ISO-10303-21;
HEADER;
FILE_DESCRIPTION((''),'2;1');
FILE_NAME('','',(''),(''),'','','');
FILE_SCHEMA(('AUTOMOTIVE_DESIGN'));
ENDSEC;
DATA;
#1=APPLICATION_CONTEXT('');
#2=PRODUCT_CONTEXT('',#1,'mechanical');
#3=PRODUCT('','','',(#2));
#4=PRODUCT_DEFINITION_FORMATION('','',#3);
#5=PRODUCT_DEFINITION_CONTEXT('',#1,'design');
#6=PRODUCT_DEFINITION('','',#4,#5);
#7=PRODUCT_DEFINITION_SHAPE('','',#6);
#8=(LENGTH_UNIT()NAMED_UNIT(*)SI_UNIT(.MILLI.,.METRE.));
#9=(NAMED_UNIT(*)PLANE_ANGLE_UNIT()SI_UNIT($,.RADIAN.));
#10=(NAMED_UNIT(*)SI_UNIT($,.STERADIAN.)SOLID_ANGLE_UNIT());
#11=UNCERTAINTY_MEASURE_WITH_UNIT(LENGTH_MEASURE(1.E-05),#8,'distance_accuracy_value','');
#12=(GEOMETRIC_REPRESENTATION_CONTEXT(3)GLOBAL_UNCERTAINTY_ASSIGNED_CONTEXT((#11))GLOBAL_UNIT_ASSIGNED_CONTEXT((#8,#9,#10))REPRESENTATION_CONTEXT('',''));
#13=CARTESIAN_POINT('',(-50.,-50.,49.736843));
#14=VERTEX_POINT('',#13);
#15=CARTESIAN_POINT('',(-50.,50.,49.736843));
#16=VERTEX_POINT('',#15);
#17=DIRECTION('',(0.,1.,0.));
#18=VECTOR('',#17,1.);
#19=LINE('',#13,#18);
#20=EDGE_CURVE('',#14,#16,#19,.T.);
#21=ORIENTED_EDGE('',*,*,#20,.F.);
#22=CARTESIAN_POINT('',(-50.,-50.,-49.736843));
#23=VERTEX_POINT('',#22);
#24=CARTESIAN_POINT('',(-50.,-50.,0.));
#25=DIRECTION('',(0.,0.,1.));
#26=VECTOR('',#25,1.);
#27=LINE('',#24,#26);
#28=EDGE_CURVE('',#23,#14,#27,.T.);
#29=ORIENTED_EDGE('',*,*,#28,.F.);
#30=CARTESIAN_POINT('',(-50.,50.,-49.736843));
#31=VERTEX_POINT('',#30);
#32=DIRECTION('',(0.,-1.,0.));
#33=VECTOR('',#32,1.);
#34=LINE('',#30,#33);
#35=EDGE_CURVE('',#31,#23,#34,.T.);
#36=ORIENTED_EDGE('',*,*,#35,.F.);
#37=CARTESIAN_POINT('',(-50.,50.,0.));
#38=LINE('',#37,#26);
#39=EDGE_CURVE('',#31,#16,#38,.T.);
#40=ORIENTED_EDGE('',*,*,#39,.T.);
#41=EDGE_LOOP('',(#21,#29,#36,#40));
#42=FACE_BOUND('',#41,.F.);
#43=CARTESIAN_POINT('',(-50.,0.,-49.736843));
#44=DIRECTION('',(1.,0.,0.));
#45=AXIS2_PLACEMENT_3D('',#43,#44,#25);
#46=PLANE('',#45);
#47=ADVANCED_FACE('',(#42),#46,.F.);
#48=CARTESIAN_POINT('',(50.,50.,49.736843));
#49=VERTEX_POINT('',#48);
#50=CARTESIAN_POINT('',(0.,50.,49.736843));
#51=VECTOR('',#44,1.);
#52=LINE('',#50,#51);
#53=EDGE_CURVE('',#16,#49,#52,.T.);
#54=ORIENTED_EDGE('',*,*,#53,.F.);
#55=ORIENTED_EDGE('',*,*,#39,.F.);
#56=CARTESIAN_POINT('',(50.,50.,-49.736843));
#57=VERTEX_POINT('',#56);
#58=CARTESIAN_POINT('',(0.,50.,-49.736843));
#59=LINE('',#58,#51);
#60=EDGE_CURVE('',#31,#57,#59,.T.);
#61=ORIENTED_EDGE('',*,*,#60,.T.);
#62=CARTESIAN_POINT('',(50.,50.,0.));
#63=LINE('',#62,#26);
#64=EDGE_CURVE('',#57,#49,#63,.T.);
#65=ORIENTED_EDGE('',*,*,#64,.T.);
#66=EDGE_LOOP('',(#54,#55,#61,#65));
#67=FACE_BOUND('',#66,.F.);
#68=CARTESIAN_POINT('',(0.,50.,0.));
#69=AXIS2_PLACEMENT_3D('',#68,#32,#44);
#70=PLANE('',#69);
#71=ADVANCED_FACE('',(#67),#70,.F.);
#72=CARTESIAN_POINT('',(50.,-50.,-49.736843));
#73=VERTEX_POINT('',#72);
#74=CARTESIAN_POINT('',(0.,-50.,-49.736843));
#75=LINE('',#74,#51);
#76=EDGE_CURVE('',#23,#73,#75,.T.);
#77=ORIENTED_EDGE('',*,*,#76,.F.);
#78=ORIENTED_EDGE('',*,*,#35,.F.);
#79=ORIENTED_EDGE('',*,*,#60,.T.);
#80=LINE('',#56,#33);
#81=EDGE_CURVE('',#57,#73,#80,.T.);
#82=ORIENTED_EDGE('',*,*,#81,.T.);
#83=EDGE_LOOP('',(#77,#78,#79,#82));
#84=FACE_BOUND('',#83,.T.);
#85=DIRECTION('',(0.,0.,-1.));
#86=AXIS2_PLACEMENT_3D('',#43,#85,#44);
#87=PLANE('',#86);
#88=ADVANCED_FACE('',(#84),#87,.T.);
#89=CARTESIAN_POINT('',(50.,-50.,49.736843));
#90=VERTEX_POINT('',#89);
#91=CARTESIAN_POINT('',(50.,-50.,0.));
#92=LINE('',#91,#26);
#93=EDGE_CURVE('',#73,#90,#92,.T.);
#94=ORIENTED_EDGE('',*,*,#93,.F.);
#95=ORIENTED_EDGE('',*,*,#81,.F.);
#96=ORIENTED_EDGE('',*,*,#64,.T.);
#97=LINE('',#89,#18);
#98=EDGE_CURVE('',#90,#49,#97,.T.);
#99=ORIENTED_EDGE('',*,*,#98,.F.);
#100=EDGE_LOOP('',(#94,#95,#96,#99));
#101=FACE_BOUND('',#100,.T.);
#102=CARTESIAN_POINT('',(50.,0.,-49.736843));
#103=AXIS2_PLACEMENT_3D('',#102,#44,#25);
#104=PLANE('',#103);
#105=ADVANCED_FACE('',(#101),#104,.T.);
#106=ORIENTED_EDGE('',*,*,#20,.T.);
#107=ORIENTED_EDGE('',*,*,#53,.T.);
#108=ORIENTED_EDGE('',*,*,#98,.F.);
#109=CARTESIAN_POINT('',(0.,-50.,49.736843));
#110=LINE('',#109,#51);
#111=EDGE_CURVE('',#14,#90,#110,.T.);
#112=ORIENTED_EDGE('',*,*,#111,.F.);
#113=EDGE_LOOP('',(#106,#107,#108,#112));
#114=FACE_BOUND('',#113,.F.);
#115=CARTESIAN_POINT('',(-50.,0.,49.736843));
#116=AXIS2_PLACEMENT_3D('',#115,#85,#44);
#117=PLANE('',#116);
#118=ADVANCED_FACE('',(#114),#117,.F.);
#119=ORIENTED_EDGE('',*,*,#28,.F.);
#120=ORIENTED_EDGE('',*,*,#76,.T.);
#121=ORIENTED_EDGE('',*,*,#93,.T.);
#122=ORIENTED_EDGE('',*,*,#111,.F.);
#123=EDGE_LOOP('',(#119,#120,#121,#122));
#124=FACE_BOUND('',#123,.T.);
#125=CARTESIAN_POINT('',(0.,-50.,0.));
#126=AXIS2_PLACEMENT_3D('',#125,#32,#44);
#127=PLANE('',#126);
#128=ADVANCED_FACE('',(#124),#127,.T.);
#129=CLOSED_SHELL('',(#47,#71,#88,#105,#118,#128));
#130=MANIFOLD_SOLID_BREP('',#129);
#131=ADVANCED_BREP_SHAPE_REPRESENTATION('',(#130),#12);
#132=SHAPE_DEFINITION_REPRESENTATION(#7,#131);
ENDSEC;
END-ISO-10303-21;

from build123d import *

# Parameters (mm, degrees)
F0_W     = 100
F0_H     = 99.4736854108
F1_DEPTH = 50
F0_W_2   = 99.9998
F0_H_2   = 12.63157548


with BuildPart() as f1:
    # F0 (on Front) → F1 (new body, symmetric)
    with BuildSketch(Plane.XZ):
        Rectangle(F0_W, F0_H)
    extrude(amount=F1_DEPTH, both=True)


with BuildPart() as f1b:
    # F0 (on Front) → F1, piece 2 (new body, symmetric)
    with BuildSketch(Plane.XZ):
        with Locations((0, 60.2631566611)):
            Rectangle(F0_W_2, F0_H_2)
    extrude(amount=F1_DEPTH, both=True)


solid = f1.part
